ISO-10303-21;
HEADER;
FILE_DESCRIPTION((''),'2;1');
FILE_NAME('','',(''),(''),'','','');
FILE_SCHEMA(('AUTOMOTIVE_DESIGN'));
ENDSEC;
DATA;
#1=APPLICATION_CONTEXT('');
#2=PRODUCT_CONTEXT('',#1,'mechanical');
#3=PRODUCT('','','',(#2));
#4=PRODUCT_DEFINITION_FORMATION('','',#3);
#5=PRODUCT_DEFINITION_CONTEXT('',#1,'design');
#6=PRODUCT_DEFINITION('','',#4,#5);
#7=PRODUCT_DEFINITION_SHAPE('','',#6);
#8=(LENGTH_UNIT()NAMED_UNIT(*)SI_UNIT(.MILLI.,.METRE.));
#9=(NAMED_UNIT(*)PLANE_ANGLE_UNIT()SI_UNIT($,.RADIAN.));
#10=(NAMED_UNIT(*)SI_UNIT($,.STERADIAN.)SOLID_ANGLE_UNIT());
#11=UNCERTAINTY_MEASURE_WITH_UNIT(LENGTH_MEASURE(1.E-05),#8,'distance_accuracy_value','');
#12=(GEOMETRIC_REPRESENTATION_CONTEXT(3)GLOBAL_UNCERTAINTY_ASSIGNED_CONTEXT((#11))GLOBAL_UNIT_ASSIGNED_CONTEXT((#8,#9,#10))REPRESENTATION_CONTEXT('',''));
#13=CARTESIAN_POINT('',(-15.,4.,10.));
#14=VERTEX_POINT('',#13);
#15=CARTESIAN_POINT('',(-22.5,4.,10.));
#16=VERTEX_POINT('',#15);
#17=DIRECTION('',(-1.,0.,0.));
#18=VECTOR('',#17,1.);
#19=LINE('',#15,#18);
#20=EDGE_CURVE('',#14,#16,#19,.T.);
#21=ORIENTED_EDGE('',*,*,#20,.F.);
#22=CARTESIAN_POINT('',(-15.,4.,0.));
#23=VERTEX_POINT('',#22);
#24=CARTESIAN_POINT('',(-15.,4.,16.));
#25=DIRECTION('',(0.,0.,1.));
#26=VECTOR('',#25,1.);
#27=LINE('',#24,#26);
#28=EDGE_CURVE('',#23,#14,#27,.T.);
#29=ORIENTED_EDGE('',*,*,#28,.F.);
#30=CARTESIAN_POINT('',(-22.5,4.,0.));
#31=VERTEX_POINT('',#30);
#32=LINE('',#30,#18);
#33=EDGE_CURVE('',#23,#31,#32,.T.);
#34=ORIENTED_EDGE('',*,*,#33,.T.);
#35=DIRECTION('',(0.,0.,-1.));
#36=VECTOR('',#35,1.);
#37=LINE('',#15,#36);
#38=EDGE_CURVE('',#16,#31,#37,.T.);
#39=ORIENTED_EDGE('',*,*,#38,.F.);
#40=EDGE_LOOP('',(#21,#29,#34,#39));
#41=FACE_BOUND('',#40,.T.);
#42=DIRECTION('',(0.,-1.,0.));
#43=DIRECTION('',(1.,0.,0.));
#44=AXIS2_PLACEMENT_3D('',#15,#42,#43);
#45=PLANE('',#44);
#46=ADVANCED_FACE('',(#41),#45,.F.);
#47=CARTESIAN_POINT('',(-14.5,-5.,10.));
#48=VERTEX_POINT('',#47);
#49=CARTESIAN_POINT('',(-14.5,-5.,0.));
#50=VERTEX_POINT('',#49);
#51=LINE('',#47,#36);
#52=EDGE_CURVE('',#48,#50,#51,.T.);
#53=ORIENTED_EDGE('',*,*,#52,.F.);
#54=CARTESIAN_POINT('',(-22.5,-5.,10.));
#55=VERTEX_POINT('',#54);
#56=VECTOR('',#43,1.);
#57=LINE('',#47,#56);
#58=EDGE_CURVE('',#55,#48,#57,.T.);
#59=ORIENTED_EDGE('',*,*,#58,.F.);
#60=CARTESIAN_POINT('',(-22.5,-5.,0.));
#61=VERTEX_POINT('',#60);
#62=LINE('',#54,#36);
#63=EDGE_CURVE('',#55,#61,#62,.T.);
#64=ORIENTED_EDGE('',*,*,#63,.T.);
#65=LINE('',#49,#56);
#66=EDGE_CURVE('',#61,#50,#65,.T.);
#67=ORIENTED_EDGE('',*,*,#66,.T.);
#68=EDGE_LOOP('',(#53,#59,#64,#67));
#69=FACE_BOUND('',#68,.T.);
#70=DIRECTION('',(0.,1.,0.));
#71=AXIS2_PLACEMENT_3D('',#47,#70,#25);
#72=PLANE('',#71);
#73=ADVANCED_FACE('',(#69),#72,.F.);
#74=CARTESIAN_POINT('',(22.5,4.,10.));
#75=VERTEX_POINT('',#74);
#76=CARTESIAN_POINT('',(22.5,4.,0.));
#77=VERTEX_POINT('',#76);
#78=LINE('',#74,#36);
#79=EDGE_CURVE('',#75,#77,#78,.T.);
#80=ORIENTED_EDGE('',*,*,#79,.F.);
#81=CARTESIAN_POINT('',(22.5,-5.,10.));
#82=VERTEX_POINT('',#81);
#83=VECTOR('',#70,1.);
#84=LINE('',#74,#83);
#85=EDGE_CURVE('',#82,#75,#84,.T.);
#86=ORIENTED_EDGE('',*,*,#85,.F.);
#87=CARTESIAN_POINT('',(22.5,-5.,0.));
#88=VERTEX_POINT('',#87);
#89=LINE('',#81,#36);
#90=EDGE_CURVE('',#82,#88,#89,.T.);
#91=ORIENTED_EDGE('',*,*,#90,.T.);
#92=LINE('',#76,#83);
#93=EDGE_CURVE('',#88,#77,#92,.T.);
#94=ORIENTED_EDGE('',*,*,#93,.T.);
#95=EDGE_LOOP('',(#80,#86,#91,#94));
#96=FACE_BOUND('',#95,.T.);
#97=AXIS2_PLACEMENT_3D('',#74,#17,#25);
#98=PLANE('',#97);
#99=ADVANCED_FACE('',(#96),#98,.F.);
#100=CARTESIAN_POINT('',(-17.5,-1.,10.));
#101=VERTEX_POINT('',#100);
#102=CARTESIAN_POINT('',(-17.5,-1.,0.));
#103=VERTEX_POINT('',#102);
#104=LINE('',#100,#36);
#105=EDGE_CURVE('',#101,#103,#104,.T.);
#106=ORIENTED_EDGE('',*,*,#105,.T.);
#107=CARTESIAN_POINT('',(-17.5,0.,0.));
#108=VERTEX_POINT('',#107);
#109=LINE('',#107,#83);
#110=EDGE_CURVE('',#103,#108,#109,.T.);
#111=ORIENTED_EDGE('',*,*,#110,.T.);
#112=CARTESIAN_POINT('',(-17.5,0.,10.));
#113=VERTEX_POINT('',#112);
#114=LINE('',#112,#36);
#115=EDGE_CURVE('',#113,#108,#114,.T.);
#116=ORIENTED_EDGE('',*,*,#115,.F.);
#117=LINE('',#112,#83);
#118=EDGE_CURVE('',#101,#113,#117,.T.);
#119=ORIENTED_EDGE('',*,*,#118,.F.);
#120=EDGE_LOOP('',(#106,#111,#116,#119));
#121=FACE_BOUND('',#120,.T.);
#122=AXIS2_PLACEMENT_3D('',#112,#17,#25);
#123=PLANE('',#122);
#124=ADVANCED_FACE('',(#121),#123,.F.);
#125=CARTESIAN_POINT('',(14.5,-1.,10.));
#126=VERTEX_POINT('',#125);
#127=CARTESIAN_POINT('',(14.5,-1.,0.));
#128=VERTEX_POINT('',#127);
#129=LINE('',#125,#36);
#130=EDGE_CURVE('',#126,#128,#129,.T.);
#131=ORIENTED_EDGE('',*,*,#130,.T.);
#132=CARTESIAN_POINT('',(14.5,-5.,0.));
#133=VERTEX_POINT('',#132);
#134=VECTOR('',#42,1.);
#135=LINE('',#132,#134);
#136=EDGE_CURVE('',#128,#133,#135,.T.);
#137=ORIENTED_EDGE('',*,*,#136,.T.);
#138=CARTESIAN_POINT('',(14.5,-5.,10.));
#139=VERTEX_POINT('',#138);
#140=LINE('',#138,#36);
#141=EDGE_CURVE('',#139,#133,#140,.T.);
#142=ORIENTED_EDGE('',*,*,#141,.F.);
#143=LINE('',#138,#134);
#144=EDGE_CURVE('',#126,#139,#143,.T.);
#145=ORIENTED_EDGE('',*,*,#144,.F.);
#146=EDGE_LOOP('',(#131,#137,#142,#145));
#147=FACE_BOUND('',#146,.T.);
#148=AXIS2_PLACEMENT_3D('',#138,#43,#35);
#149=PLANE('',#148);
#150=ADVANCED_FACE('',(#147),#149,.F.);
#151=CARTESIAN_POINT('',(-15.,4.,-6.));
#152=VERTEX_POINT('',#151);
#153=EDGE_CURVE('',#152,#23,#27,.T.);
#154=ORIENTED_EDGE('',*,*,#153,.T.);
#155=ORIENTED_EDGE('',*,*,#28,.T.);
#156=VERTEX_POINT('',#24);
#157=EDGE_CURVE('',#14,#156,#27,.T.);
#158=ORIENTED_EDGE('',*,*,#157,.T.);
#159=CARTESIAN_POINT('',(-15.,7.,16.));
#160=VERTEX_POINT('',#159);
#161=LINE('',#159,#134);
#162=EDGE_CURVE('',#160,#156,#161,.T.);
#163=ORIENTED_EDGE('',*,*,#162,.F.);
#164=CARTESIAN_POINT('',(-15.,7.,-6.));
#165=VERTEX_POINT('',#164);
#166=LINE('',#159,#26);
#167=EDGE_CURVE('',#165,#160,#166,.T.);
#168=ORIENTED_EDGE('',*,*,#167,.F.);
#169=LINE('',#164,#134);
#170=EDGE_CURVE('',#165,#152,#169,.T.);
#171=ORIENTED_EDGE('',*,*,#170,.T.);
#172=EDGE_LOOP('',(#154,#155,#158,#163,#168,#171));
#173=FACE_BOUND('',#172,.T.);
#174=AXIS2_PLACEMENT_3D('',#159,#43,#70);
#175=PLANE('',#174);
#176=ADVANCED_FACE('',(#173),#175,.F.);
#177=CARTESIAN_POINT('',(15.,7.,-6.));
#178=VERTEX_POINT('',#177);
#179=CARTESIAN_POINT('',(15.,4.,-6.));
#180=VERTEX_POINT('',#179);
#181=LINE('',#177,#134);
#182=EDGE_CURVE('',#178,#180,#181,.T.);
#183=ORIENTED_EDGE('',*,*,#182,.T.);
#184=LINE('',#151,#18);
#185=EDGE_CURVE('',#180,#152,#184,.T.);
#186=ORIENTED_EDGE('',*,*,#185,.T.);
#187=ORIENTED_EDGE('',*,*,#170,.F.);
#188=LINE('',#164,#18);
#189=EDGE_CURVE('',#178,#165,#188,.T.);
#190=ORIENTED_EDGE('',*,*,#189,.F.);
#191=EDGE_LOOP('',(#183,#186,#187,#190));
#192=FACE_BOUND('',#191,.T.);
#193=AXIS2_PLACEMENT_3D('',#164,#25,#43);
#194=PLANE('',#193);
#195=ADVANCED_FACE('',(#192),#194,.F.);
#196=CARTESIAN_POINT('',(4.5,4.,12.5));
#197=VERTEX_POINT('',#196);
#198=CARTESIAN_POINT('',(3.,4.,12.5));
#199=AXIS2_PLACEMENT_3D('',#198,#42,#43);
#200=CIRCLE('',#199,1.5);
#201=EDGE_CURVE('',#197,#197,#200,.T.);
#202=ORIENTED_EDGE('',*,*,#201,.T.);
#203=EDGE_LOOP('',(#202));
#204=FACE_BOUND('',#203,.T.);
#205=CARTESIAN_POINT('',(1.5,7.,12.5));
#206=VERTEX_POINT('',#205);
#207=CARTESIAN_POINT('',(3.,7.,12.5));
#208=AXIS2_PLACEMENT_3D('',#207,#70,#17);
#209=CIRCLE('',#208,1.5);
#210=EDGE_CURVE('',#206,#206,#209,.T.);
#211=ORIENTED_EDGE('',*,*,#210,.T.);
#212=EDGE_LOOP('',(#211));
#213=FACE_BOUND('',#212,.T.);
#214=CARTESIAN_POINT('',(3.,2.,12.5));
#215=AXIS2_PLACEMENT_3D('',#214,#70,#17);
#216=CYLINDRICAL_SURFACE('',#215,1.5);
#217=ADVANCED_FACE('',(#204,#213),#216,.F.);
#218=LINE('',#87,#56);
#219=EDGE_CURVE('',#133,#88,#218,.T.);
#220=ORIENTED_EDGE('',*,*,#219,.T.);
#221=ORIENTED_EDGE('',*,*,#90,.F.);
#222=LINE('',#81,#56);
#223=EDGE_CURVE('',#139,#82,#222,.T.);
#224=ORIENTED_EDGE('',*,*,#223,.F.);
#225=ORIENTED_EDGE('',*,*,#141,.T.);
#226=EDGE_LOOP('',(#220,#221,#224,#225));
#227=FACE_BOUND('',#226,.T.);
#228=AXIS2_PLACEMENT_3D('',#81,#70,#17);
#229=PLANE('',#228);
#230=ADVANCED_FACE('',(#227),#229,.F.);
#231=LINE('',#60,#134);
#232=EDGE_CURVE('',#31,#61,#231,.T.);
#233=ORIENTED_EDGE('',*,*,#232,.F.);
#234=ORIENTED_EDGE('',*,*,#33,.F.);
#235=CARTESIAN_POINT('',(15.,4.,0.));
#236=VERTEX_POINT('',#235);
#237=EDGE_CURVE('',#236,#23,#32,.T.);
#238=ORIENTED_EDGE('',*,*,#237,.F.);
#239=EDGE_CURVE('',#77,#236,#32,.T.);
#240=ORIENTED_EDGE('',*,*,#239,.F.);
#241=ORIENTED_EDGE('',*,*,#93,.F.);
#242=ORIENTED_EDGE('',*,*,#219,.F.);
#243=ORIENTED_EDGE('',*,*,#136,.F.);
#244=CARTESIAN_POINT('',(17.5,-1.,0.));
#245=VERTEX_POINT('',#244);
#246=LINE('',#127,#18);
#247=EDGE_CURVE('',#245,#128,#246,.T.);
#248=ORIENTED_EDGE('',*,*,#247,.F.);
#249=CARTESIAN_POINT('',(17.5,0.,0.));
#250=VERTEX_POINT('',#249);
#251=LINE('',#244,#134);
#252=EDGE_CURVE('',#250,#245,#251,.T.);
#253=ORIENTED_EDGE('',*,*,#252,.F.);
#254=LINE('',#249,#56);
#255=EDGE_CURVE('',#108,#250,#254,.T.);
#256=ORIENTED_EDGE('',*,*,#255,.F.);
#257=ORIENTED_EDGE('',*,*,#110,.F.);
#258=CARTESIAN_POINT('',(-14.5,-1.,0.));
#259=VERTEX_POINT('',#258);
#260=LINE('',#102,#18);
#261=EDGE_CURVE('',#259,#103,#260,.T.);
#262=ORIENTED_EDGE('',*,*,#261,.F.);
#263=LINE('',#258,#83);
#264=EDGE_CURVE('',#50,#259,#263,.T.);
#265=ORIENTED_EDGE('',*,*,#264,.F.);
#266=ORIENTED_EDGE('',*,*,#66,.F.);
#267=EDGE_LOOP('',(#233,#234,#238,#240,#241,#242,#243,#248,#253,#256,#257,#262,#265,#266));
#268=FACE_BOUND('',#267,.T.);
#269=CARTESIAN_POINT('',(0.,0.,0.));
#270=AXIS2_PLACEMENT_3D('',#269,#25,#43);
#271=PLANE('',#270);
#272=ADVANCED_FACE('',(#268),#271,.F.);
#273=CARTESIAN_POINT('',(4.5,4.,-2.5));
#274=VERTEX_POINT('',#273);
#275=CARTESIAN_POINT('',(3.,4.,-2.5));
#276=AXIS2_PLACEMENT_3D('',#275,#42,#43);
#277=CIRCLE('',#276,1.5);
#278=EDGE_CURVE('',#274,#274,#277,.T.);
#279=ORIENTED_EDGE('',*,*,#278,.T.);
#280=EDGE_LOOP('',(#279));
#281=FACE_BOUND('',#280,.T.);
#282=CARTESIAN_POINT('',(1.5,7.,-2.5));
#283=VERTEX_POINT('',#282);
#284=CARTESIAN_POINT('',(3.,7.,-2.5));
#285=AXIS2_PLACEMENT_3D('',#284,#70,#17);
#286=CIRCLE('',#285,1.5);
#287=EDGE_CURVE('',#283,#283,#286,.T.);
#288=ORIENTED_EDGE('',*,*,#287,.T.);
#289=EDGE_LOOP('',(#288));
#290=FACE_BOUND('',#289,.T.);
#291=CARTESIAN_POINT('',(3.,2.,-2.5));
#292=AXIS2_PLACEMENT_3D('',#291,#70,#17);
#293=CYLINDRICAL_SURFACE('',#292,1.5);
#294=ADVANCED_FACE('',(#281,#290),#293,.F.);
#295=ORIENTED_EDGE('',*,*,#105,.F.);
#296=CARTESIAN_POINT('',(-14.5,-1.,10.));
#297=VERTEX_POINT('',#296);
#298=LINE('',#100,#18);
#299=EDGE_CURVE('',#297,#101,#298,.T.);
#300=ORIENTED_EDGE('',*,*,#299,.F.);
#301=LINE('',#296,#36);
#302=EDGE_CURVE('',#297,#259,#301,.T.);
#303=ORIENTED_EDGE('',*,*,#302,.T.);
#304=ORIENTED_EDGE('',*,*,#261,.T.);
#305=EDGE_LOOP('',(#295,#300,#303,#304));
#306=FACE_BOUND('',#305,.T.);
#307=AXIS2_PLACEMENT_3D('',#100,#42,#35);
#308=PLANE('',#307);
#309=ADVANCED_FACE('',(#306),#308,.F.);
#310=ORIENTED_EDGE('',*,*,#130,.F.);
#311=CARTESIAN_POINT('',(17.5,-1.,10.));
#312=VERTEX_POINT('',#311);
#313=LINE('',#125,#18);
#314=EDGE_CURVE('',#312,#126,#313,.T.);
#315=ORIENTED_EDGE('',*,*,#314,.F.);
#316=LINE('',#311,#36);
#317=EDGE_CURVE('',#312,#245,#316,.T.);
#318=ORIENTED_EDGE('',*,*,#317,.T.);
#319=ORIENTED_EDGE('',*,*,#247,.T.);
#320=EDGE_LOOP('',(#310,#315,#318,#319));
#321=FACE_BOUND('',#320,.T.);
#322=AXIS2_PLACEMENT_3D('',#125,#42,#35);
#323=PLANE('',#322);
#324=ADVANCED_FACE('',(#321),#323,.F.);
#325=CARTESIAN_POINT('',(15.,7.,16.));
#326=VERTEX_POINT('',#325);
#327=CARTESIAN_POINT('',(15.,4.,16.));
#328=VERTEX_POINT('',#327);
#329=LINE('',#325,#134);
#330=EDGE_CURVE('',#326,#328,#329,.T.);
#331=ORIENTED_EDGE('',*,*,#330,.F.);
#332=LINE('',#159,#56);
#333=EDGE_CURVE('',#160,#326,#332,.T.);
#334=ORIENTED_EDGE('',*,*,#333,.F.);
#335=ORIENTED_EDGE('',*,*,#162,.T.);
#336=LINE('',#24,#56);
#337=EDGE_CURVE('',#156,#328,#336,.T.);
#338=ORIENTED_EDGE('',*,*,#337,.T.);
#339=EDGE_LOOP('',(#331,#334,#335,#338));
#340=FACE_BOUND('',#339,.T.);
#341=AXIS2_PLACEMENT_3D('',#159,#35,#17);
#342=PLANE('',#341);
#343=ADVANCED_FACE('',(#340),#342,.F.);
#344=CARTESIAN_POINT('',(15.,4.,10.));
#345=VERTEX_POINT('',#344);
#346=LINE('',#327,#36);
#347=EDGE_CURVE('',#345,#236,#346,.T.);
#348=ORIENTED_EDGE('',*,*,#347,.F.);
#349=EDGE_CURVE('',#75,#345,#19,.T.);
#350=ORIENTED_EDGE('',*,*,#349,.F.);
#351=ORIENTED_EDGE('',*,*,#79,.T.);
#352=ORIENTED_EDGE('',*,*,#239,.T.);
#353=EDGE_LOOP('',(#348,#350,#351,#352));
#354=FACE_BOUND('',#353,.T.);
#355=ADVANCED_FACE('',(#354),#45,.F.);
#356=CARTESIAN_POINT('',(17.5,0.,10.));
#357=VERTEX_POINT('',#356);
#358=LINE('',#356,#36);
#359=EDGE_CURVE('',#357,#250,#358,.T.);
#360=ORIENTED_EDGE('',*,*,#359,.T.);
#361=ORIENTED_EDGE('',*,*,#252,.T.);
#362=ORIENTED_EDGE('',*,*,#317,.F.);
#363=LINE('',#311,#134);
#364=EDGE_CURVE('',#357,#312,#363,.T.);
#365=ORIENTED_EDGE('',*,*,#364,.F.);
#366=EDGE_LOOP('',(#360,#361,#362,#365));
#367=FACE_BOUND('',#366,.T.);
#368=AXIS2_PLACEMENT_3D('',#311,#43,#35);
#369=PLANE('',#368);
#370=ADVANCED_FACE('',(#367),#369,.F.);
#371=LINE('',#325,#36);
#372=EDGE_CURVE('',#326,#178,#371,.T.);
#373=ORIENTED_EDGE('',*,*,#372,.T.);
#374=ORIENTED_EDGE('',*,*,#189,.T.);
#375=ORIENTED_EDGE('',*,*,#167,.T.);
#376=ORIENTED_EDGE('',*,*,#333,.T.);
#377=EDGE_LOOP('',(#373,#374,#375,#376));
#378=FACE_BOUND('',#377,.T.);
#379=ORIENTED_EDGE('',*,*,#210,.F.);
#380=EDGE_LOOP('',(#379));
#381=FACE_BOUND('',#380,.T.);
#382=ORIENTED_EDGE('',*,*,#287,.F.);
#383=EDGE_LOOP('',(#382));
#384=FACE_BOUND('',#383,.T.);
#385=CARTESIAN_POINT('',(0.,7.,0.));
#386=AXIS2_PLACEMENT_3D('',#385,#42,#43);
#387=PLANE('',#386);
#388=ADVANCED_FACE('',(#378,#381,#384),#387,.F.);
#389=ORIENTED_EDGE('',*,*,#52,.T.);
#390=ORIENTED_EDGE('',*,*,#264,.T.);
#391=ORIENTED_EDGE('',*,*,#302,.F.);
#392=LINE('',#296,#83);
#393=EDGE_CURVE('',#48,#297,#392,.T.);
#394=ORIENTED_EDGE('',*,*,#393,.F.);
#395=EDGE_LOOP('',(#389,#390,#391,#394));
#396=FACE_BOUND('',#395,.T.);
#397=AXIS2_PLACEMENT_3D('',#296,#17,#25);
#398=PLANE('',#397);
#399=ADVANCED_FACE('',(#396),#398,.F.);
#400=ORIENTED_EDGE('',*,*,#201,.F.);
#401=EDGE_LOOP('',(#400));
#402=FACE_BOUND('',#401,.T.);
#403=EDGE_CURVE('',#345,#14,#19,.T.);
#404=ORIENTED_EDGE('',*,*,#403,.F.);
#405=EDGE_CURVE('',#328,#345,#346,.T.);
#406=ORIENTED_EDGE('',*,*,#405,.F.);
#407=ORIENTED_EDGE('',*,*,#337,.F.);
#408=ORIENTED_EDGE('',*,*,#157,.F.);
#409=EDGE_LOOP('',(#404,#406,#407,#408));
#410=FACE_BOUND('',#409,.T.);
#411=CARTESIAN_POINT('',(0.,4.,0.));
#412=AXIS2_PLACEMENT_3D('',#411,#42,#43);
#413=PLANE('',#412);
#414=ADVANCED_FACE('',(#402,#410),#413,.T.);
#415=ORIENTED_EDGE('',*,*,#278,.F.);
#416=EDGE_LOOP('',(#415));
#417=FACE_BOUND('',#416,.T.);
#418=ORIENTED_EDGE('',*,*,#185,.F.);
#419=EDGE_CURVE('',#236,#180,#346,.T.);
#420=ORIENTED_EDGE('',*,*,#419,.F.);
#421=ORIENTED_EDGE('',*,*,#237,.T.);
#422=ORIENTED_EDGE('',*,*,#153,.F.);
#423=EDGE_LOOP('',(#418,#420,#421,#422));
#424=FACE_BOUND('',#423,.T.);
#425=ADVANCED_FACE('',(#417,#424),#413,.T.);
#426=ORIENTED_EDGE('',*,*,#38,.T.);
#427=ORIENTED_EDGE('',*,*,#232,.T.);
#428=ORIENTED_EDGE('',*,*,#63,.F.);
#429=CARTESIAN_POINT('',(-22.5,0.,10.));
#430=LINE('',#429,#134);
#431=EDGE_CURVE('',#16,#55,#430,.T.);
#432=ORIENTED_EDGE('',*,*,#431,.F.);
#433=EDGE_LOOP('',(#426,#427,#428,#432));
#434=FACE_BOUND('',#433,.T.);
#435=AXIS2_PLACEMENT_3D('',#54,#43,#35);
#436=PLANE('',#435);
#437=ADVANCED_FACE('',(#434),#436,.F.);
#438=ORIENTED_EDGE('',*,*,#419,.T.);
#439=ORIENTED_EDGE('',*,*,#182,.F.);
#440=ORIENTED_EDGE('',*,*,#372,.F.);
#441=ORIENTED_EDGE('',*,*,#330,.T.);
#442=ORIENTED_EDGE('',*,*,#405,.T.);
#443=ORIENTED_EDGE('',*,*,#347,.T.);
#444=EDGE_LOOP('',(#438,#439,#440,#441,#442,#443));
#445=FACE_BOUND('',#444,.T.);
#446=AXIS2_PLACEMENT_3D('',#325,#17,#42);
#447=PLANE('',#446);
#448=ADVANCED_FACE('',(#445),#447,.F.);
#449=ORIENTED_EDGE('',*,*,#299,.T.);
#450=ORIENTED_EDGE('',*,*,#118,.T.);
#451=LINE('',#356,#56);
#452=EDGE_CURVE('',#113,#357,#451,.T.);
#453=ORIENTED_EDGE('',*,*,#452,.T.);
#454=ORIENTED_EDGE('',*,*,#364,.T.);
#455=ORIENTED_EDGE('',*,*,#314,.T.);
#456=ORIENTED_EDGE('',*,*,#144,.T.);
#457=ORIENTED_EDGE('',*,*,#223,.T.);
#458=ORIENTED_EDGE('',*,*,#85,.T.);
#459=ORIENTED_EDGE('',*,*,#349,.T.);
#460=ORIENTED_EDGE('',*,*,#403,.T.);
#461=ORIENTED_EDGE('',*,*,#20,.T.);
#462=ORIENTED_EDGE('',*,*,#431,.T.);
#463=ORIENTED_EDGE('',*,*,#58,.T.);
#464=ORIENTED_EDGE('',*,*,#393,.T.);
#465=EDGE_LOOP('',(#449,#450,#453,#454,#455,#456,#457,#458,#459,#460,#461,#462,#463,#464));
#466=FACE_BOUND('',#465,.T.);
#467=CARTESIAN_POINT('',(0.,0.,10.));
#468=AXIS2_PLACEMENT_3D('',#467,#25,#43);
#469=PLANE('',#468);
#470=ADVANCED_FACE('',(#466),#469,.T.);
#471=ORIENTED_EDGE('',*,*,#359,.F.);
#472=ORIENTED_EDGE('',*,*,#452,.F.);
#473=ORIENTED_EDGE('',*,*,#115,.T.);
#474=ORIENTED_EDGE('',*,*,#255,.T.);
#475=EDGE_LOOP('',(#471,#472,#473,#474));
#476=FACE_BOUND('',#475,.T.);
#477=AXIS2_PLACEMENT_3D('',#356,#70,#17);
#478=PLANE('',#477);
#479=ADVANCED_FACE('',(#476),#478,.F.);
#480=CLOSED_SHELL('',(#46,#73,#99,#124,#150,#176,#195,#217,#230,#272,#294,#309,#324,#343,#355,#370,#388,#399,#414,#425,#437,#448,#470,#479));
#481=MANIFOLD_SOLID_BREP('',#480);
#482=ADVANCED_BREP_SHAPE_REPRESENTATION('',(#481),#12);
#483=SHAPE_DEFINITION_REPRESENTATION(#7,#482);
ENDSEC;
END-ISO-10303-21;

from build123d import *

# Parameters (mm, degrees)
BOSS_EXTRUDE1_DEPTH = 10
SKETCH3_W           = 30
SKETCH3_H           = 22
BOSS_EXTRUDE2_DEPTH = 3
SKETCH4_R           = 1.5
CUT_EXTRUDE1_DEPTH  = 5


with BuildPart() as part:
    # Sketch2 → Boss-Extrude1 (new body)
    with BuildSketch(Plane.XY):
        Polygon((-17.5, 0), (-17.5, -1), (-14.5, -1), (-14.5, -5), (-22.5, -5), (-22.5, 0), (-22.5, 4), (22.5, 4), (22.5, -5), (14.5, -5), (14.5, -1), (17.5, -1), (17.5, 0), align=None)
    extrude(amount=BOSS_EXTRUDE1_DEPTH)

    # Sketch3 → Boss-Extrude2 (add)
    with BuildSketch(Plane(origin=(0, 4, 0), x_dir=(1, 0, 0), z_dir=(0, 1, 0))):
        with Locations((0, -5)):
            Rectangle(SKETCH3_W, SKETCH3_H)
    extrude(amount=BOSS_EXTRUDE2_DEPTH)

    # Sketch4 → Cut-Extrude1 (cut)
    with BuildSketch(Plane(origin=(0, 7, 0), x_dir=(1, 0, 0), z_dir=(0, 1, 0))):
        with Locations((3, 2.5)):
            Circle(SKETCH4_R)
        with Locations((3, -12.5)):
            Circle(SKETCH4_R)
    extrude(amount=-CUT_EXTRUDE1_DEPTH, mode=Mode.SUBTRACT)


solid = part.part
